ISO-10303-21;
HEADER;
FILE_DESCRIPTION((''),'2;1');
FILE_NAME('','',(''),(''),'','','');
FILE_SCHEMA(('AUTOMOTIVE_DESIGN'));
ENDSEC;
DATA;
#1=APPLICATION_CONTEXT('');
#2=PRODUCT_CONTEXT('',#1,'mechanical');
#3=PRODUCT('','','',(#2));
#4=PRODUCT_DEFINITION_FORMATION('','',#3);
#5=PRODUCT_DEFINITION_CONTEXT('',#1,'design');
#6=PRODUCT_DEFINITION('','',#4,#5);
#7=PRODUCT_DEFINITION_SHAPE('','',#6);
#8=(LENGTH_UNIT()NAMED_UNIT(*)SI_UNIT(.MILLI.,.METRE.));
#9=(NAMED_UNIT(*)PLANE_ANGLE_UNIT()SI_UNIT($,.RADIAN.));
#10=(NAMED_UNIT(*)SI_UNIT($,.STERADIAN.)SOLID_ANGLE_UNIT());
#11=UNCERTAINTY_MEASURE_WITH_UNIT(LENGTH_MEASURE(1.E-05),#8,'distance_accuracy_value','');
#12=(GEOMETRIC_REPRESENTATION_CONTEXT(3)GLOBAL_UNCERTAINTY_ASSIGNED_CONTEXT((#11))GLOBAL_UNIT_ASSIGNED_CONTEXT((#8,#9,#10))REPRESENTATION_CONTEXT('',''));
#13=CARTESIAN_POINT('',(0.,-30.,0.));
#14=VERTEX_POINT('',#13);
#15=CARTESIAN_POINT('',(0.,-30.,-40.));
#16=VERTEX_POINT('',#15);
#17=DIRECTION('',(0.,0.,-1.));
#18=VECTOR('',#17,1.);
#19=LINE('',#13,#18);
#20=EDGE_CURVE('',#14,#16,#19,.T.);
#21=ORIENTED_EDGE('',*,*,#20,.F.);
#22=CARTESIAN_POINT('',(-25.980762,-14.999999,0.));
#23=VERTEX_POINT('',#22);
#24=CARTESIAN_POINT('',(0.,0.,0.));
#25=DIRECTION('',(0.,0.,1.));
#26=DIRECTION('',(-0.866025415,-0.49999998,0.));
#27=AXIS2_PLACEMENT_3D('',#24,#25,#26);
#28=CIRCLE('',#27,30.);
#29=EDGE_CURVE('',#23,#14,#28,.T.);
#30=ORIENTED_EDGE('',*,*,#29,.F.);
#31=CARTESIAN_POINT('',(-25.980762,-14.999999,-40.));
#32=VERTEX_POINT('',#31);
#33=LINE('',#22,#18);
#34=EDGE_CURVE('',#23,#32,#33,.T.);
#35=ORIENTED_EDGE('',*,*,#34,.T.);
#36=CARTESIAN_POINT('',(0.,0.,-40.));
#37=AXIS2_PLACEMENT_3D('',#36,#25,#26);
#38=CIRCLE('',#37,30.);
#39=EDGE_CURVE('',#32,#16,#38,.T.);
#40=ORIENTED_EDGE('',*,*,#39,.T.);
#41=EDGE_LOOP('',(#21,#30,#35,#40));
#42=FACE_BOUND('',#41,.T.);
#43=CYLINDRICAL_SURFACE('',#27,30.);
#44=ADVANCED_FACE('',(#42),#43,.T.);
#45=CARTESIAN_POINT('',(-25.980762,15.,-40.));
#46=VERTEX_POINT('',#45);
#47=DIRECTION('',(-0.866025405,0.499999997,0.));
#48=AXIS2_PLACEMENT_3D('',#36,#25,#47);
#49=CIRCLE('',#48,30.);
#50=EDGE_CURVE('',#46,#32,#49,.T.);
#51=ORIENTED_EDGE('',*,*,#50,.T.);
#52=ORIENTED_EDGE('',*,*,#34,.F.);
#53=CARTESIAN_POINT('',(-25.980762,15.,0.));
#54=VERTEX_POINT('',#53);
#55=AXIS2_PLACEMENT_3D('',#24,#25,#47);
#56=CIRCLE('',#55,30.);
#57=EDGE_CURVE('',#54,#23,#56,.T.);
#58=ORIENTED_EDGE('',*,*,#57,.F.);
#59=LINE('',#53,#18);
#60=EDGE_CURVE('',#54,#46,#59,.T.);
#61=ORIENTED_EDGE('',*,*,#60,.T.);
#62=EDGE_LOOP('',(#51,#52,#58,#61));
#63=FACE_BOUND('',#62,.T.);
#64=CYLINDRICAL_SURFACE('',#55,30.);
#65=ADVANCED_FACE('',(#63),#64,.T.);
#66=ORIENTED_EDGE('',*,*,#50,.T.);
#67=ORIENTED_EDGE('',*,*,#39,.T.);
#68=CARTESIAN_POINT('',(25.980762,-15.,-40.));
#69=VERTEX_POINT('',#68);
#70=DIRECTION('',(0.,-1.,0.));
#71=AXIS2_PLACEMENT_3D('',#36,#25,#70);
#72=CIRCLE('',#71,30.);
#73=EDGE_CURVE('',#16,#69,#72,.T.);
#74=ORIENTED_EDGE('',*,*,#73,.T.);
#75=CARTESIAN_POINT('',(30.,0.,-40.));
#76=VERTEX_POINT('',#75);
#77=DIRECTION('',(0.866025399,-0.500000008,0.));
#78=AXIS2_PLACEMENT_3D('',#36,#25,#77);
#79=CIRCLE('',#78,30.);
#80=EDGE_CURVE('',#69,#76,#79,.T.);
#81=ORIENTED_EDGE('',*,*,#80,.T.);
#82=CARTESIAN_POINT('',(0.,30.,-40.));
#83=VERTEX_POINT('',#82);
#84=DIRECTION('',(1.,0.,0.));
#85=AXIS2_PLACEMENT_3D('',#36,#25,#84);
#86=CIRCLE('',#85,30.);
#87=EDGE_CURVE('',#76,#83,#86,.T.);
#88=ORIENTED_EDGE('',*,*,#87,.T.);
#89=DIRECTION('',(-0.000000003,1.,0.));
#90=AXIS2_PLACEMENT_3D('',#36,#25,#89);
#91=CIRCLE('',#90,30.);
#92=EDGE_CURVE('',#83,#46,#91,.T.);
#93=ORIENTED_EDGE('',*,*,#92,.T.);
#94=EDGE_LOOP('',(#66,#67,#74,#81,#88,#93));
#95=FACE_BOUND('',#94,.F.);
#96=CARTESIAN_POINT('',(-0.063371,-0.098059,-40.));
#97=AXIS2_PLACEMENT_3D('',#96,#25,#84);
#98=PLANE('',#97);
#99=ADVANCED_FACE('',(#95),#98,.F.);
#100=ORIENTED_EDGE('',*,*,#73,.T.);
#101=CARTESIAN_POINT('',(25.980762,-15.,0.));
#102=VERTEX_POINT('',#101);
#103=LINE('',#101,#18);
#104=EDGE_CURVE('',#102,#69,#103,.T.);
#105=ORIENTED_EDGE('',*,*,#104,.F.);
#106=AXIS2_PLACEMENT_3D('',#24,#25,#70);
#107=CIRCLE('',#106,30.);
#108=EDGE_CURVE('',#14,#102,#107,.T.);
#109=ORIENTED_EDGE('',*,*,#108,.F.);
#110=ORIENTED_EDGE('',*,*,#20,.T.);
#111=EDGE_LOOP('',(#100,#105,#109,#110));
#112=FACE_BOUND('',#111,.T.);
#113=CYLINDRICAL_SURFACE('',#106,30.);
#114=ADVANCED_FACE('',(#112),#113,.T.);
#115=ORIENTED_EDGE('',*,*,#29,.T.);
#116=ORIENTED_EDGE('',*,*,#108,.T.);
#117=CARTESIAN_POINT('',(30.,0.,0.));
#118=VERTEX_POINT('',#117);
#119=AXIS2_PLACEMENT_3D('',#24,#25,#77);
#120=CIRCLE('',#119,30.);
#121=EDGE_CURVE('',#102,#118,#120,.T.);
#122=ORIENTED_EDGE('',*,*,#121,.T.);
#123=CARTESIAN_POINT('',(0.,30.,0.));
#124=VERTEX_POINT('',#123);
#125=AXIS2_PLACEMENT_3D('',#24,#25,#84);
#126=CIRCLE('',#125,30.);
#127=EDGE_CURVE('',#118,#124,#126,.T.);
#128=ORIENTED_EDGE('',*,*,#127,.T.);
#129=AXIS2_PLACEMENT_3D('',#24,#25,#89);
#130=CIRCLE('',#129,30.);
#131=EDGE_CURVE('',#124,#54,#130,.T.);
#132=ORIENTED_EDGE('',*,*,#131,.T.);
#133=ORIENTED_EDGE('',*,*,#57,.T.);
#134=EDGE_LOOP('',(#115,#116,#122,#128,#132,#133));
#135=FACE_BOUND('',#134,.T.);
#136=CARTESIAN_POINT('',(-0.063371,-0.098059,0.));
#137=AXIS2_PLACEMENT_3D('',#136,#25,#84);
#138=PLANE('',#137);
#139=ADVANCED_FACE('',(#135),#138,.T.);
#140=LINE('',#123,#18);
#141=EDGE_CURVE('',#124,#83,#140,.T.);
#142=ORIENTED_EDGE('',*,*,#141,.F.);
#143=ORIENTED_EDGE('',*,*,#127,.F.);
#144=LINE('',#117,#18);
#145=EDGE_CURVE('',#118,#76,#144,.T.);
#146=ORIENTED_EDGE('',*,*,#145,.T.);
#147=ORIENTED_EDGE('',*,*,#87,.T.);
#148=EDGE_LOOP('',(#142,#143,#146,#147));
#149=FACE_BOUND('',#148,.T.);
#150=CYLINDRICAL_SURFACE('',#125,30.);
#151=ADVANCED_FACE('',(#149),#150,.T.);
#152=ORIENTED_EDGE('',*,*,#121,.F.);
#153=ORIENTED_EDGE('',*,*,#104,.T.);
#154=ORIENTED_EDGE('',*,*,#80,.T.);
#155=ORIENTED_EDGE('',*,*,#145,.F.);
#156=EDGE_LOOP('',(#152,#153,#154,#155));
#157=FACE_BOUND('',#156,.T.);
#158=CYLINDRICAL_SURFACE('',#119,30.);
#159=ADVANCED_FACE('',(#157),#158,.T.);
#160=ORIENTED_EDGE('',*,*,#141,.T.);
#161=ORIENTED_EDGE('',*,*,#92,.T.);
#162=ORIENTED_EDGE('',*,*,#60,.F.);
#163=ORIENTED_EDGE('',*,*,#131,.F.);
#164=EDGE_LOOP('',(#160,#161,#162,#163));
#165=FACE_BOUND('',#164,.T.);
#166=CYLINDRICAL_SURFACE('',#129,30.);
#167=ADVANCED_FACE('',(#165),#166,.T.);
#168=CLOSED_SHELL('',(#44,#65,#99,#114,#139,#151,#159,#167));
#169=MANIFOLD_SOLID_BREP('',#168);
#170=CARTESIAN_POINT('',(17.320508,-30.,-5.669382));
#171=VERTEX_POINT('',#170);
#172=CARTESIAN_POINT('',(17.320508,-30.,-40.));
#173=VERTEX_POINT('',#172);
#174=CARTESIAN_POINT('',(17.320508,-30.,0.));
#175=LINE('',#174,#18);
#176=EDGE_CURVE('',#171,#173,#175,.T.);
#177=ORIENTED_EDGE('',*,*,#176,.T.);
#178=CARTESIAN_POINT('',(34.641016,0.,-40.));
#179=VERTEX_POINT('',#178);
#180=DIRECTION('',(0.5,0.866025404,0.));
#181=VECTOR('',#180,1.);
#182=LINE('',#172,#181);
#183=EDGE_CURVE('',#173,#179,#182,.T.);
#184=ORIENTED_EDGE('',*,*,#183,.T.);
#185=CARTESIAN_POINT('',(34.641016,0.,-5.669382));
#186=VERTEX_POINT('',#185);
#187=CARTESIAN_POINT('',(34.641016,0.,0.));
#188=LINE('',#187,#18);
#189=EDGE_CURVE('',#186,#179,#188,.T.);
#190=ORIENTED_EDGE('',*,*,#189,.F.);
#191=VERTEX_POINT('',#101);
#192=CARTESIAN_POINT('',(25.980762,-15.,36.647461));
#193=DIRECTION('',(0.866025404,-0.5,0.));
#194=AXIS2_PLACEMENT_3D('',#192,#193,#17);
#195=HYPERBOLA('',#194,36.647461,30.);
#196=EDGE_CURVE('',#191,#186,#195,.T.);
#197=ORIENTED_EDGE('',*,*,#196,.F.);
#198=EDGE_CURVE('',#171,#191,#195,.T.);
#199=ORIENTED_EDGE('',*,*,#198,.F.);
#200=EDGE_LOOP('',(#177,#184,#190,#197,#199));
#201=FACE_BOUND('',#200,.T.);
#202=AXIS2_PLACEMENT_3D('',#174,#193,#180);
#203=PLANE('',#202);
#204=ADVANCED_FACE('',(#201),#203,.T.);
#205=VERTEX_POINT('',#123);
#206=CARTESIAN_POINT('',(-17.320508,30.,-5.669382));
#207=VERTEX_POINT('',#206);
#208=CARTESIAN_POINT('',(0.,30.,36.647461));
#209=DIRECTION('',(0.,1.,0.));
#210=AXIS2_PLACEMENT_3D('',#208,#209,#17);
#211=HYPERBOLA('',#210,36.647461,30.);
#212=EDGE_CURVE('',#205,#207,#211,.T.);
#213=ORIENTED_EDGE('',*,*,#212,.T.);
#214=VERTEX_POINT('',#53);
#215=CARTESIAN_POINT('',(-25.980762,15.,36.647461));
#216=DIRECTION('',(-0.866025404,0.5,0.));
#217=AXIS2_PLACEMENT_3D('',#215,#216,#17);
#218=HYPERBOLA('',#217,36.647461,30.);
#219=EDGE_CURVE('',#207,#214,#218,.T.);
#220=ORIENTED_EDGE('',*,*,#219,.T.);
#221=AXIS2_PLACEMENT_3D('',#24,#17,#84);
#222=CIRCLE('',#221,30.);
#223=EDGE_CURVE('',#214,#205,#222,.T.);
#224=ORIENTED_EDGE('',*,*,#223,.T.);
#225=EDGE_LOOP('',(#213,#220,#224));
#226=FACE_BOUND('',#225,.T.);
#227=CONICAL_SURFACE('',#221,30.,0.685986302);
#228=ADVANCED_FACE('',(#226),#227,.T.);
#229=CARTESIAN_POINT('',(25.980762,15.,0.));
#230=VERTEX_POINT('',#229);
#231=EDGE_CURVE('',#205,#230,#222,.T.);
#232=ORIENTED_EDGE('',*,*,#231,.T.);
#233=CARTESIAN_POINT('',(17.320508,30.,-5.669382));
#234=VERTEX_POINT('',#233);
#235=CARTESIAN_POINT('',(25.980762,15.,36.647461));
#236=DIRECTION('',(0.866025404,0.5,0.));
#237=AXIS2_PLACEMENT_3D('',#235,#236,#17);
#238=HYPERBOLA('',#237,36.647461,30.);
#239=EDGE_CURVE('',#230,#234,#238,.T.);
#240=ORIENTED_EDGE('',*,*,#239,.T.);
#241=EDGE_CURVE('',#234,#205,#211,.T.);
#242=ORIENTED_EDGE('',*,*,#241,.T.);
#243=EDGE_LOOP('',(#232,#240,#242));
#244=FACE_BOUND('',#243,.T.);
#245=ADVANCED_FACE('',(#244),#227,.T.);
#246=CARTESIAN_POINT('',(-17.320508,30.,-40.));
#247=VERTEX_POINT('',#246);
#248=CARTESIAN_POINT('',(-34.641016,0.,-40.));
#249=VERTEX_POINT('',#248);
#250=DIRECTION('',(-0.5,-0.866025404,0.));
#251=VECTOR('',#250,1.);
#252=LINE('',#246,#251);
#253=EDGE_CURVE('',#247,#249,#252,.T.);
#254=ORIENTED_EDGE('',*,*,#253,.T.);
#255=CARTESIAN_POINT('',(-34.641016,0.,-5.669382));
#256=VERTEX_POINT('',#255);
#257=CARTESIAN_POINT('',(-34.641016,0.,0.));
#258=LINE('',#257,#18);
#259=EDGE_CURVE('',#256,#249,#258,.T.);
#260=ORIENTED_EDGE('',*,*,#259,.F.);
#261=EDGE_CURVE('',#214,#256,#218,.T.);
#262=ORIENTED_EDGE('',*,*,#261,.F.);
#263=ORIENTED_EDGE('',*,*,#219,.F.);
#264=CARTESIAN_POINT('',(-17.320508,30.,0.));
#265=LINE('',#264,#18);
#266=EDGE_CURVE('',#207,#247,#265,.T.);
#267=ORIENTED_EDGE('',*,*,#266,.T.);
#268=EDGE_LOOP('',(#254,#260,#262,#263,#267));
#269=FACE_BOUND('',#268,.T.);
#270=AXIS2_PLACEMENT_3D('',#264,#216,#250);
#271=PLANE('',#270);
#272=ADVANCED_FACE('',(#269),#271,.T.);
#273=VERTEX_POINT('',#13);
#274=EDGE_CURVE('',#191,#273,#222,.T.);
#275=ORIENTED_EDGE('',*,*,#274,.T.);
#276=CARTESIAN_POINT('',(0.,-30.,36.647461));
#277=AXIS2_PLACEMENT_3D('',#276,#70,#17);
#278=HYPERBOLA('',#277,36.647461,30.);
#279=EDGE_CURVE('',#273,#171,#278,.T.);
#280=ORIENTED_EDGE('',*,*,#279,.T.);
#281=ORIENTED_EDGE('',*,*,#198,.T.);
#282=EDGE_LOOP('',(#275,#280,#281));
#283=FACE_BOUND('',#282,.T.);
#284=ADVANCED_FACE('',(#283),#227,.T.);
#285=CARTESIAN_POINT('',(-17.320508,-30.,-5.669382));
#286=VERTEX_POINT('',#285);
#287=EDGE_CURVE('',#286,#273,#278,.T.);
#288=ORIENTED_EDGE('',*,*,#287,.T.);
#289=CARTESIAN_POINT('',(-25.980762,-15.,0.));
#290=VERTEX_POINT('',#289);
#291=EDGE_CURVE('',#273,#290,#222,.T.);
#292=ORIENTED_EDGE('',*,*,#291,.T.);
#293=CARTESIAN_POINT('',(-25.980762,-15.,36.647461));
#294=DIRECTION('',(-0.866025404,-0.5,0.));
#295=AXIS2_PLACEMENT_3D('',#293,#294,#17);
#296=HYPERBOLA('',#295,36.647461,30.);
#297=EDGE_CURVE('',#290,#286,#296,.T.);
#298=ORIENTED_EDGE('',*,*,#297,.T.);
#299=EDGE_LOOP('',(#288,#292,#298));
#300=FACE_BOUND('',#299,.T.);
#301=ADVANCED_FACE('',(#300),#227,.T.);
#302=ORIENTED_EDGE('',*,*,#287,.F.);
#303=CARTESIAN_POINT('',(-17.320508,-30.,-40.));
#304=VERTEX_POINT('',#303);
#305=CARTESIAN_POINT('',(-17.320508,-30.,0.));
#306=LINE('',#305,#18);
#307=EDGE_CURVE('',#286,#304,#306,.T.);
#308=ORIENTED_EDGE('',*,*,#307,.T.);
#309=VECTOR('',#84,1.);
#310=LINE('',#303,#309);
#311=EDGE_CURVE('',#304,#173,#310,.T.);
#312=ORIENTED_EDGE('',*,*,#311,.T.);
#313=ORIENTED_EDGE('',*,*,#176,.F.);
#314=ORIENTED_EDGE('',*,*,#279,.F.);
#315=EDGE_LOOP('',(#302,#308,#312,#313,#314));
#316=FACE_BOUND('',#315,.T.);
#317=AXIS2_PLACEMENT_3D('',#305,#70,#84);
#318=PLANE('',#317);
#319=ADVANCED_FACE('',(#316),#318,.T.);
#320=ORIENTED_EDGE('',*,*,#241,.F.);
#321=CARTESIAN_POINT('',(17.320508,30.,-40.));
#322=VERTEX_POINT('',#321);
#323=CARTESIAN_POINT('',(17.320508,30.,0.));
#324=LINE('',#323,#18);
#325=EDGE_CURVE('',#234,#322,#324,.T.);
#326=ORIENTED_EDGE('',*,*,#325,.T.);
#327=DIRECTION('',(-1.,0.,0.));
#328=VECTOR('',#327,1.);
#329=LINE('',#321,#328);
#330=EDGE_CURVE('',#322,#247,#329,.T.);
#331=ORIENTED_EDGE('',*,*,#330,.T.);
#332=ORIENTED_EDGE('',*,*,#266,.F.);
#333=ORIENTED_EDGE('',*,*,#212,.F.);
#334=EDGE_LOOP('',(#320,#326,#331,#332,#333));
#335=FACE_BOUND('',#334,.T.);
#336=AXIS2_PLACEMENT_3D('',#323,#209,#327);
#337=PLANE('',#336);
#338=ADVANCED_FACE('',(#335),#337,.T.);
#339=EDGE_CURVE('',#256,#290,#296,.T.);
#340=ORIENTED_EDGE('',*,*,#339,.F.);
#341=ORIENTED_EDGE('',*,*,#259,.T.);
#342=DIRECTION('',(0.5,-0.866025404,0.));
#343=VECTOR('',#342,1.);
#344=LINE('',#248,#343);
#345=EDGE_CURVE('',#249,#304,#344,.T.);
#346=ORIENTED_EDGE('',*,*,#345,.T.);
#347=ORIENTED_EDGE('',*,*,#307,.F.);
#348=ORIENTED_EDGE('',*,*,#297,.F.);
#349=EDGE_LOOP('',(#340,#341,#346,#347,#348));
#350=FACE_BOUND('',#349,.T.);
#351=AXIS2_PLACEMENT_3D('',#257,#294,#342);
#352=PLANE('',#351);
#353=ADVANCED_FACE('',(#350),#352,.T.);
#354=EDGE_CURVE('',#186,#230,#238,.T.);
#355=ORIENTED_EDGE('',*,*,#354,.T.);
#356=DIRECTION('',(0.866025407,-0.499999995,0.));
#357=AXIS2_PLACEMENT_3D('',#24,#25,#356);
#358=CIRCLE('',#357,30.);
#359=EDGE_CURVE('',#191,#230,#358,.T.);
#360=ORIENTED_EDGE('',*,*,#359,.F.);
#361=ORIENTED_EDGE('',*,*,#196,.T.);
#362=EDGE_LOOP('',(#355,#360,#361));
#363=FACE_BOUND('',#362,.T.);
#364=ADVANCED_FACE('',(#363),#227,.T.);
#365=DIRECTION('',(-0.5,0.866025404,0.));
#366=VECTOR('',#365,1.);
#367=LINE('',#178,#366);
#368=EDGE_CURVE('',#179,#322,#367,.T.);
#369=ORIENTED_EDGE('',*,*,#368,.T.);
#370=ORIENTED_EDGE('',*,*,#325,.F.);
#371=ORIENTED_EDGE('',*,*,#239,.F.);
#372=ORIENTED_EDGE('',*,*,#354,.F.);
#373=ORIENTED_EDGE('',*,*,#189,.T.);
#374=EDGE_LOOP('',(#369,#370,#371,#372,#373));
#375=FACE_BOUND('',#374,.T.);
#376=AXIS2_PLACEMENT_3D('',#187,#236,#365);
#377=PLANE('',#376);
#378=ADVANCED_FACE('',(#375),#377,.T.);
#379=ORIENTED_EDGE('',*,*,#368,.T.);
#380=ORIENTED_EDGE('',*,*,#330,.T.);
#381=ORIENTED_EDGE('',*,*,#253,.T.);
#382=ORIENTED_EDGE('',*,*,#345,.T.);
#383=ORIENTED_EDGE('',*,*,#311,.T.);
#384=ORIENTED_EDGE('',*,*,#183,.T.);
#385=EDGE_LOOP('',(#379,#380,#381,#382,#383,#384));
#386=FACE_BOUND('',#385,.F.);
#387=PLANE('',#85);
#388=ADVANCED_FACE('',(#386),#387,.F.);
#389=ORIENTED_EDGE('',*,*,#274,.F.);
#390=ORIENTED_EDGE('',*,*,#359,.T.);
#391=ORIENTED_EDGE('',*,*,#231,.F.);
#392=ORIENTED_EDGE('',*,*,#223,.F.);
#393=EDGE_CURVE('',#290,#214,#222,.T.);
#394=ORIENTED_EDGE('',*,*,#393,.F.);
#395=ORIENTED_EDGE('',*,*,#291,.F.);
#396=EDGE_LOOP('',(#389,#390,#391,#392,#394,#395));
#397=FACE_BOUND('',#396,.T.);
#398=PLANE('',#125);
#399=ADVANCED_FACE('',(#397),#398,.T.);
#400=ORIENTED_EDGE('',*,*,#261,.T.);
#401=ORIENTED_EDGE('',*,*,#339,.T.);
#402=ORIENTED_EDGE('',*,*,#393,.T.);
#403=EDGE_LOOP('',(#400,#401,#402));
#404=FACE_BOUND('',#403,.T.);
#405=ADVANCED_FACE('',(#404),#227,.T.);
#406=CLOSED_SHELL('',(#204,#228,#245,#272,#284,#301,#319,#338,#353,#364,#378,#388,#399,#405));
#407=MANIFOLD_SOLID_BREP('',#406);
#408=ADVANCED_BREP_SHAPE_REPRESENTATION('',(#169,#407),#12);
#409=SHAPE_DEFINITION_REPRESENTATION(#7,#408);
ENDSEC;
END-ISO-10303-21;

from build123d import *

# Parameters (mm, degrees)
F2_DEPTH = 40


with BuildPart() as f2:
    # F1 (on face) → F2 (new body)
    with BuildSketch(Plane.XY):
        with BuildLine():
            ThreePointArc((25.9807619763, -15.0000002377), (28.9777747532, -7.7645714856), (30, 0))
            ThreePointArc((30, 0), (28.9777748337, 7.764571185), (25.9807622875, 14.9999996987))
            ThreePointArc((25.9807622875, 14.9999996987), (15.0000001082, 25.9807620511), (-9.81e-08, 30))
            ThreePointArc((-9.81e-08, 30), (-15.0000000857, 25.9807620641), (-25.9807621634, 14.9999999136))
            ThreePointArc((-25.9807621634, 14.9999999136), (-30, 2.886e-07), (-25.980762452, -14.9999994137))
            ThreePointArc((-25.980762452, -14.9999994137), (-15.0000002931, -25.9807619443), (0, -30))
            ThreePointArc((0, -30), (14.9999998812, -25.9807621821), (25.9807619763, -15.0000002377))
        make_face()
    extrude(amount=-F2_DEPTH)


with BuildPart() as f2b:
    # F0 (on Top) → F2, piece 2 (new body)
    with BuildSketch(Plane.XY):
        Polygon((17.3205080757, 30), (-17.3205080757, 30), (-34.6410161514, 0), (-17.3205080757, -30), (17.3205080757, -30), (34.6410161514, 0), align=None)
    extrude(amount=-F2_DEPTH)

    # F3 (on Front) → F4 (revolve, cut)
    with BuildSketch(Plane.XZ):
        Polygon((34.6410161514, 0), (30, 0), (34.6410161514, -5.6693819351), align=None)
    revolve(axis=Axis((0, 0, -15.6040294096), (0, 0, -1)), mode=Mode.SUBTRACT)


solid = Compound([f2.part, f2b.part])
